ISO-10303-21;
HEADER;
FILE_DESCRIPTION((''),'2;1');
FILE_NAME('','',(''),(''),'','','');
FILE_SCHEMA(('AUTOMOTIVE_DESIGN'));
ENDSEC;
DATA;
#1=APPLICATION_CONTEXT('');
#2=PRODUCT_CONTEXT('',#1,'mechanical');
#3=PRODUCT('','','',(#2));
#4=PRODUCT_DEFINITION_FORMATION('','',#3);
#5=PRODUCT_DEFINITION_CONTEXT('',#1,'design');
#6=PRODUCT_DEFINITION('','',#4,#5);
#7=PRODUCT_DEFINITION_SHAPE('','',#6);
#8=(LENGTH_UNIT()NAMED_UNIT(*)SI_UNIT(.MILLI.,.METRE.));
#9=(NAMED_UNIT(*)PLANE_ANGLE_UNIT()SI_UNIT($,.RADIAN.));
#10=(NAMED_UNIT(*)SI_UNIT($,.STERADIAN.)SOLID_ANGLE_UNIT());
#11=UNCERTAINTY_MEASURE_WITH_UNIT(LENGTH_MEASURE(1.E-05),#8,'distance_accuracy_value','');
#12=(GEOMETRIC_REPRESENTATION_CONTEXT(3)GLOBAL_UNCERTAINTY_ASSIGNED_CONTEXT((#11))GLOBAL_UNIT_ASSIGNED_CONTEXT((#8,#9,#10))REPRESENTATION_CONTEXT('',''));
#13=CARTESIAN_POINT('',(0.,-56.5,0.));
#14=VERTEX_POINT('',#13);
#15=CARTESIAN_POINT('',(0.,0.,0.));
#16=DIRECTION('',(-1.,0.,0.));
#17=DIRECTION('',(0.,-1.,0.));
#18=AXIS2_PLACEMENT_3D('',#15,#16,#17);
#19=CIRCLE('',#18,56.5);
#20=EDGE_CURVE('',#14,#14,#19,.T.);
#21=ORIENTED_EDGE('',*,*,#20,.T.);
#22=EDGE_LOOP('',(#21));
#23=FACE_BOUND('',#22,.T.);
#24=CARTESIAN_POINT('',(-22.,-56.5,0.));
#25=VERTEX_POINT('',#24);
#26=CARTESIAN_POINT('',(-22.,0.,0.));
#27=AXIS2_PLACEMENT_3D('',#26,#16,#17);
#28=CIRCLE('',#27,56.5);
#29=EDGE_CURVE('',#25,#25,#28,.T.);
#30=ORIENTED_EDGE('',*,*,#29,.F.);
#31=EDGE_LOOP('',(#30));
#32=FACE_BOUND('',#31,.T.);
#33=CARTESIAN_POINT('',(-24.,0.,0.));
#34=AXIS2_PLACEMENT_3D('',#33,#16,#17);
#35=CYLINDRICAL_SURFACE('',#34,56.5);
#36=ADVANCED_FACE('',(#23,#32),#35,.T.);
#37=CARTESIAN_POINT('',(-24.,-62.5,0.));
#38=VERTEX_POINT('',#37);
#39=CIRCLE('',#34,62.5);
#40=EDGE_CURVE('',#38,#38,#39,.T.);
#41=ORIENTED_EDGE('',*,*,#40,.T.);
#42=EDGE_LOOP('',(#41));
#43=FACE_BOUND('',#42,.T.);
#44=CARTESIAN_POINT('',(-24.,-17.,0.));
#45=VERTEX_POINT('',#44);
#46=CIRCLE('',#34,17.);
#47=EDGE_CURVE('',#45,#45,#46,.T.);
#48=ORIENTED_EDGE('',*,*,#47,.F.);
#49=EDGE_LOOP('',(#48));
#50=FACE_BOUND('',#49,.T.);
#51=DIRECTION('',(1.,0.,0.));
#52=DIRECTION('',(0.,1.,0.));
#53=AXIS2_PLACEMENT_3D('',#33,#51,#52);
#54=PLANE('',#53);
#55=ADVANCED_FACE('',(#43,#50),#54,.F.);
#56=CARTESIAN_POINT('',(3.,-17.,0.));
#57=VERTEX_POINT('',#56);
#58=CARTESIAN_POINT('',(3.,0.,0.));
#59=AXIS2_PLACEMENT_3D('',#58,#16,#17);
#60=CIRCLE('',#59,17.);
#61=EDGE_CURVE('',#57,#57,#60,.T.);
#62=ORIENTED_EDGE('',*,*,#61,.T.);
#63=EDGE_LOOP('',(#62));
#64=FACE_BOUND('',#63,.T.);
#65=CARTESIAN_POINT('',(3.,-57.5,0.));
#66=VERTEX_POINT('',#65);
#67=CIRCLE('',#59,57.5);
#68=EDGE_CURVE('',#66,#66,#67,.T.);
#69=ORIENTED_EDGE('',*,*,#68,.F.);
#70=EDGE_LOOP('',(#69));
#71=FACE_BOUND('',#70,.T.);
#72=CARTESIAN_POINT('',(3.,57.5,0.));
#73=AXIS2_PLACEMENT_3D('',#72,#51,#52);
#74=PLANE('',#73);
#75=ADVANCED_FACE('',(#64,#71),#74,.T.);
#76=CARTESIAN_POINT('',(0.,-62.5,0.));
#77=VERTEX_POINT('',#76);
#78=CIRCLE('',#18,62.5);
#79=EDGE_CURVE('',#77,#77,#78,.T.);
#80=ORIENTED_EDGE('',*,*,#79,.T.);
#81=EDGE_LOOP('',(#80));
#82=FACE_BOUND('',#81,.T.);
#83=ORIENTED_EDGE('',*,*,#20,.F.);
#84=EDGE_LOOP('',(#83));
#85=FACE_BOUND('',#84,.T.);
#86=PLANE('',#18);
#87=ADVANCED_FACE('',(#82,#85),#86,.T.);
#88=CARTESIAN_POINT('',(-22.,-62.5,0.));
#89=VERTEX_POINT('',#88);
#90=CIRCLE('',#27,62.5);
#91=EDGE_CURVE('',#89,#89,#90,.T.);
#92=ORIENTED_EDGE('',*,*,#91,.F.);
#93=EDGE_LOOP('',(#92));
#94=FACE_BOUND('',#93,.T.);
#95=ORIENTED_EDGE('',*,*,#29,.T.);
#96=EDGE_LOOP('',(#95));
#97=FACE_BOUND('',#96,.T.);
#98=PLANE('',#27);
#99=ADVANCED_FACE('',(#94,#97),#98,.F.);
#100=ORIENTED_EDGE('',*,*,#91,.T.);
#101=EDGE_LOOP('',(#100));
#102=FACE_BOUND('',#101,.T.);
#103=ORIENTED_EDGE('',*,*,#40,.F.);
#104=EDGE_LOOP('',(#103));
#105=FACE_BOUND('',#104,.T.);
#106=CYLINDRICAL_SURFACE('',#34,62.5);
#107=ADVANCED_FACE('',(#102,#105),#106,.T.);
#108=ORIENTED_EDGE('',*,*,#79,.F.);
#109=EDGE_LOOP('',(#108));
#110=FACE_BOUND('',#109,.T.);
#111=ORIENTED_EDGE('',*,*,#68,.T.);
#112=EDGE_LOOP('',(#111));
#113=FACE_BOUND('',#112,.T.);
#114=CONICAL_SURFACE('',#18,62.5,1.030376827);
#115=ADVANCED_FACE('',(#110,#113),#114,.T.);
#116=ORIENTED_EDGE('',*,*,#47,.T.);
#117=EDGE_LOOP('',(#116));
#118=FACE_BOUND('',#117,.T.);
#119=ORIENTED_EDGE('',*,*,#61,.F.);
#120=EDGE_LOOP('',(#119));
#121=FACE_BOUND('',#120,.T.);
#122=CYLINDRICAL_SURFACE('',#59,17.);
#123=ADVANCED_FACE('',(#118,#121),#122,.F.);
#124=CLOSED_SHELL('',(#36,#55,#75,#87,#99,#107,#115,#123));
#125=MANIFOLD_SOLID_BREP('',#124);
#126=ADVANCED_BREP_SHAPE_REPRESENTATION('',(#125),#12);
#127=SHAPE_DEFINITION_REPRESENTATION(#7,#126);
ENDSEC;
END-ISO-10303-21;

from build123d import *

# Parameters (mm, degrees)
ESQUISSE1_W             = 22
ESQUISSE1_H             = 56.5
ESQUISSE2_R             = 17
ENL_V_MAT_EXTRU_1_DEPTH = 93.420235879


with BuildPart() as part:
    # Esquisse1 → Révolution1 (revolve)
    with BuildSketch(Plane.XY, mode=Mode.PRIVATE) as r_volution1_sk:
        with Locations((-11, 28.25)):
            Rectangle(ESQUISSE1_W, ESQUISSE1_H)
        Polygon((0, 56.5), (0, 0), (3, 0), (3, 57.5), (0, 62.5), align=None)
        Polygon((-24, 0), (-22, 0), (-22, 56.5), (-22, 62.5), (-24, 62.5), align=None)
    revolve(r_volution1_sk.sketch.rotate(Axis((-24, 0, 0), (1, 0, 0)), 180), axis=Axis((-24, 0, 0), (1, 0, 0)))

    # Esquisse2 → Enlèv. mat.-Extru.1 (cut, through all)
    with BuildSketch(Plane.ZY.offset(24)):
        with Locations(Location((0, 0, 0), (0, 0, 270))):
            Circle(ESQUISSE2_R)
    extrude(amount=-ENL_V_MAT_EXTRU_1_DEPTH, mode=Mode.SUBTRACT)


solid = part.part
